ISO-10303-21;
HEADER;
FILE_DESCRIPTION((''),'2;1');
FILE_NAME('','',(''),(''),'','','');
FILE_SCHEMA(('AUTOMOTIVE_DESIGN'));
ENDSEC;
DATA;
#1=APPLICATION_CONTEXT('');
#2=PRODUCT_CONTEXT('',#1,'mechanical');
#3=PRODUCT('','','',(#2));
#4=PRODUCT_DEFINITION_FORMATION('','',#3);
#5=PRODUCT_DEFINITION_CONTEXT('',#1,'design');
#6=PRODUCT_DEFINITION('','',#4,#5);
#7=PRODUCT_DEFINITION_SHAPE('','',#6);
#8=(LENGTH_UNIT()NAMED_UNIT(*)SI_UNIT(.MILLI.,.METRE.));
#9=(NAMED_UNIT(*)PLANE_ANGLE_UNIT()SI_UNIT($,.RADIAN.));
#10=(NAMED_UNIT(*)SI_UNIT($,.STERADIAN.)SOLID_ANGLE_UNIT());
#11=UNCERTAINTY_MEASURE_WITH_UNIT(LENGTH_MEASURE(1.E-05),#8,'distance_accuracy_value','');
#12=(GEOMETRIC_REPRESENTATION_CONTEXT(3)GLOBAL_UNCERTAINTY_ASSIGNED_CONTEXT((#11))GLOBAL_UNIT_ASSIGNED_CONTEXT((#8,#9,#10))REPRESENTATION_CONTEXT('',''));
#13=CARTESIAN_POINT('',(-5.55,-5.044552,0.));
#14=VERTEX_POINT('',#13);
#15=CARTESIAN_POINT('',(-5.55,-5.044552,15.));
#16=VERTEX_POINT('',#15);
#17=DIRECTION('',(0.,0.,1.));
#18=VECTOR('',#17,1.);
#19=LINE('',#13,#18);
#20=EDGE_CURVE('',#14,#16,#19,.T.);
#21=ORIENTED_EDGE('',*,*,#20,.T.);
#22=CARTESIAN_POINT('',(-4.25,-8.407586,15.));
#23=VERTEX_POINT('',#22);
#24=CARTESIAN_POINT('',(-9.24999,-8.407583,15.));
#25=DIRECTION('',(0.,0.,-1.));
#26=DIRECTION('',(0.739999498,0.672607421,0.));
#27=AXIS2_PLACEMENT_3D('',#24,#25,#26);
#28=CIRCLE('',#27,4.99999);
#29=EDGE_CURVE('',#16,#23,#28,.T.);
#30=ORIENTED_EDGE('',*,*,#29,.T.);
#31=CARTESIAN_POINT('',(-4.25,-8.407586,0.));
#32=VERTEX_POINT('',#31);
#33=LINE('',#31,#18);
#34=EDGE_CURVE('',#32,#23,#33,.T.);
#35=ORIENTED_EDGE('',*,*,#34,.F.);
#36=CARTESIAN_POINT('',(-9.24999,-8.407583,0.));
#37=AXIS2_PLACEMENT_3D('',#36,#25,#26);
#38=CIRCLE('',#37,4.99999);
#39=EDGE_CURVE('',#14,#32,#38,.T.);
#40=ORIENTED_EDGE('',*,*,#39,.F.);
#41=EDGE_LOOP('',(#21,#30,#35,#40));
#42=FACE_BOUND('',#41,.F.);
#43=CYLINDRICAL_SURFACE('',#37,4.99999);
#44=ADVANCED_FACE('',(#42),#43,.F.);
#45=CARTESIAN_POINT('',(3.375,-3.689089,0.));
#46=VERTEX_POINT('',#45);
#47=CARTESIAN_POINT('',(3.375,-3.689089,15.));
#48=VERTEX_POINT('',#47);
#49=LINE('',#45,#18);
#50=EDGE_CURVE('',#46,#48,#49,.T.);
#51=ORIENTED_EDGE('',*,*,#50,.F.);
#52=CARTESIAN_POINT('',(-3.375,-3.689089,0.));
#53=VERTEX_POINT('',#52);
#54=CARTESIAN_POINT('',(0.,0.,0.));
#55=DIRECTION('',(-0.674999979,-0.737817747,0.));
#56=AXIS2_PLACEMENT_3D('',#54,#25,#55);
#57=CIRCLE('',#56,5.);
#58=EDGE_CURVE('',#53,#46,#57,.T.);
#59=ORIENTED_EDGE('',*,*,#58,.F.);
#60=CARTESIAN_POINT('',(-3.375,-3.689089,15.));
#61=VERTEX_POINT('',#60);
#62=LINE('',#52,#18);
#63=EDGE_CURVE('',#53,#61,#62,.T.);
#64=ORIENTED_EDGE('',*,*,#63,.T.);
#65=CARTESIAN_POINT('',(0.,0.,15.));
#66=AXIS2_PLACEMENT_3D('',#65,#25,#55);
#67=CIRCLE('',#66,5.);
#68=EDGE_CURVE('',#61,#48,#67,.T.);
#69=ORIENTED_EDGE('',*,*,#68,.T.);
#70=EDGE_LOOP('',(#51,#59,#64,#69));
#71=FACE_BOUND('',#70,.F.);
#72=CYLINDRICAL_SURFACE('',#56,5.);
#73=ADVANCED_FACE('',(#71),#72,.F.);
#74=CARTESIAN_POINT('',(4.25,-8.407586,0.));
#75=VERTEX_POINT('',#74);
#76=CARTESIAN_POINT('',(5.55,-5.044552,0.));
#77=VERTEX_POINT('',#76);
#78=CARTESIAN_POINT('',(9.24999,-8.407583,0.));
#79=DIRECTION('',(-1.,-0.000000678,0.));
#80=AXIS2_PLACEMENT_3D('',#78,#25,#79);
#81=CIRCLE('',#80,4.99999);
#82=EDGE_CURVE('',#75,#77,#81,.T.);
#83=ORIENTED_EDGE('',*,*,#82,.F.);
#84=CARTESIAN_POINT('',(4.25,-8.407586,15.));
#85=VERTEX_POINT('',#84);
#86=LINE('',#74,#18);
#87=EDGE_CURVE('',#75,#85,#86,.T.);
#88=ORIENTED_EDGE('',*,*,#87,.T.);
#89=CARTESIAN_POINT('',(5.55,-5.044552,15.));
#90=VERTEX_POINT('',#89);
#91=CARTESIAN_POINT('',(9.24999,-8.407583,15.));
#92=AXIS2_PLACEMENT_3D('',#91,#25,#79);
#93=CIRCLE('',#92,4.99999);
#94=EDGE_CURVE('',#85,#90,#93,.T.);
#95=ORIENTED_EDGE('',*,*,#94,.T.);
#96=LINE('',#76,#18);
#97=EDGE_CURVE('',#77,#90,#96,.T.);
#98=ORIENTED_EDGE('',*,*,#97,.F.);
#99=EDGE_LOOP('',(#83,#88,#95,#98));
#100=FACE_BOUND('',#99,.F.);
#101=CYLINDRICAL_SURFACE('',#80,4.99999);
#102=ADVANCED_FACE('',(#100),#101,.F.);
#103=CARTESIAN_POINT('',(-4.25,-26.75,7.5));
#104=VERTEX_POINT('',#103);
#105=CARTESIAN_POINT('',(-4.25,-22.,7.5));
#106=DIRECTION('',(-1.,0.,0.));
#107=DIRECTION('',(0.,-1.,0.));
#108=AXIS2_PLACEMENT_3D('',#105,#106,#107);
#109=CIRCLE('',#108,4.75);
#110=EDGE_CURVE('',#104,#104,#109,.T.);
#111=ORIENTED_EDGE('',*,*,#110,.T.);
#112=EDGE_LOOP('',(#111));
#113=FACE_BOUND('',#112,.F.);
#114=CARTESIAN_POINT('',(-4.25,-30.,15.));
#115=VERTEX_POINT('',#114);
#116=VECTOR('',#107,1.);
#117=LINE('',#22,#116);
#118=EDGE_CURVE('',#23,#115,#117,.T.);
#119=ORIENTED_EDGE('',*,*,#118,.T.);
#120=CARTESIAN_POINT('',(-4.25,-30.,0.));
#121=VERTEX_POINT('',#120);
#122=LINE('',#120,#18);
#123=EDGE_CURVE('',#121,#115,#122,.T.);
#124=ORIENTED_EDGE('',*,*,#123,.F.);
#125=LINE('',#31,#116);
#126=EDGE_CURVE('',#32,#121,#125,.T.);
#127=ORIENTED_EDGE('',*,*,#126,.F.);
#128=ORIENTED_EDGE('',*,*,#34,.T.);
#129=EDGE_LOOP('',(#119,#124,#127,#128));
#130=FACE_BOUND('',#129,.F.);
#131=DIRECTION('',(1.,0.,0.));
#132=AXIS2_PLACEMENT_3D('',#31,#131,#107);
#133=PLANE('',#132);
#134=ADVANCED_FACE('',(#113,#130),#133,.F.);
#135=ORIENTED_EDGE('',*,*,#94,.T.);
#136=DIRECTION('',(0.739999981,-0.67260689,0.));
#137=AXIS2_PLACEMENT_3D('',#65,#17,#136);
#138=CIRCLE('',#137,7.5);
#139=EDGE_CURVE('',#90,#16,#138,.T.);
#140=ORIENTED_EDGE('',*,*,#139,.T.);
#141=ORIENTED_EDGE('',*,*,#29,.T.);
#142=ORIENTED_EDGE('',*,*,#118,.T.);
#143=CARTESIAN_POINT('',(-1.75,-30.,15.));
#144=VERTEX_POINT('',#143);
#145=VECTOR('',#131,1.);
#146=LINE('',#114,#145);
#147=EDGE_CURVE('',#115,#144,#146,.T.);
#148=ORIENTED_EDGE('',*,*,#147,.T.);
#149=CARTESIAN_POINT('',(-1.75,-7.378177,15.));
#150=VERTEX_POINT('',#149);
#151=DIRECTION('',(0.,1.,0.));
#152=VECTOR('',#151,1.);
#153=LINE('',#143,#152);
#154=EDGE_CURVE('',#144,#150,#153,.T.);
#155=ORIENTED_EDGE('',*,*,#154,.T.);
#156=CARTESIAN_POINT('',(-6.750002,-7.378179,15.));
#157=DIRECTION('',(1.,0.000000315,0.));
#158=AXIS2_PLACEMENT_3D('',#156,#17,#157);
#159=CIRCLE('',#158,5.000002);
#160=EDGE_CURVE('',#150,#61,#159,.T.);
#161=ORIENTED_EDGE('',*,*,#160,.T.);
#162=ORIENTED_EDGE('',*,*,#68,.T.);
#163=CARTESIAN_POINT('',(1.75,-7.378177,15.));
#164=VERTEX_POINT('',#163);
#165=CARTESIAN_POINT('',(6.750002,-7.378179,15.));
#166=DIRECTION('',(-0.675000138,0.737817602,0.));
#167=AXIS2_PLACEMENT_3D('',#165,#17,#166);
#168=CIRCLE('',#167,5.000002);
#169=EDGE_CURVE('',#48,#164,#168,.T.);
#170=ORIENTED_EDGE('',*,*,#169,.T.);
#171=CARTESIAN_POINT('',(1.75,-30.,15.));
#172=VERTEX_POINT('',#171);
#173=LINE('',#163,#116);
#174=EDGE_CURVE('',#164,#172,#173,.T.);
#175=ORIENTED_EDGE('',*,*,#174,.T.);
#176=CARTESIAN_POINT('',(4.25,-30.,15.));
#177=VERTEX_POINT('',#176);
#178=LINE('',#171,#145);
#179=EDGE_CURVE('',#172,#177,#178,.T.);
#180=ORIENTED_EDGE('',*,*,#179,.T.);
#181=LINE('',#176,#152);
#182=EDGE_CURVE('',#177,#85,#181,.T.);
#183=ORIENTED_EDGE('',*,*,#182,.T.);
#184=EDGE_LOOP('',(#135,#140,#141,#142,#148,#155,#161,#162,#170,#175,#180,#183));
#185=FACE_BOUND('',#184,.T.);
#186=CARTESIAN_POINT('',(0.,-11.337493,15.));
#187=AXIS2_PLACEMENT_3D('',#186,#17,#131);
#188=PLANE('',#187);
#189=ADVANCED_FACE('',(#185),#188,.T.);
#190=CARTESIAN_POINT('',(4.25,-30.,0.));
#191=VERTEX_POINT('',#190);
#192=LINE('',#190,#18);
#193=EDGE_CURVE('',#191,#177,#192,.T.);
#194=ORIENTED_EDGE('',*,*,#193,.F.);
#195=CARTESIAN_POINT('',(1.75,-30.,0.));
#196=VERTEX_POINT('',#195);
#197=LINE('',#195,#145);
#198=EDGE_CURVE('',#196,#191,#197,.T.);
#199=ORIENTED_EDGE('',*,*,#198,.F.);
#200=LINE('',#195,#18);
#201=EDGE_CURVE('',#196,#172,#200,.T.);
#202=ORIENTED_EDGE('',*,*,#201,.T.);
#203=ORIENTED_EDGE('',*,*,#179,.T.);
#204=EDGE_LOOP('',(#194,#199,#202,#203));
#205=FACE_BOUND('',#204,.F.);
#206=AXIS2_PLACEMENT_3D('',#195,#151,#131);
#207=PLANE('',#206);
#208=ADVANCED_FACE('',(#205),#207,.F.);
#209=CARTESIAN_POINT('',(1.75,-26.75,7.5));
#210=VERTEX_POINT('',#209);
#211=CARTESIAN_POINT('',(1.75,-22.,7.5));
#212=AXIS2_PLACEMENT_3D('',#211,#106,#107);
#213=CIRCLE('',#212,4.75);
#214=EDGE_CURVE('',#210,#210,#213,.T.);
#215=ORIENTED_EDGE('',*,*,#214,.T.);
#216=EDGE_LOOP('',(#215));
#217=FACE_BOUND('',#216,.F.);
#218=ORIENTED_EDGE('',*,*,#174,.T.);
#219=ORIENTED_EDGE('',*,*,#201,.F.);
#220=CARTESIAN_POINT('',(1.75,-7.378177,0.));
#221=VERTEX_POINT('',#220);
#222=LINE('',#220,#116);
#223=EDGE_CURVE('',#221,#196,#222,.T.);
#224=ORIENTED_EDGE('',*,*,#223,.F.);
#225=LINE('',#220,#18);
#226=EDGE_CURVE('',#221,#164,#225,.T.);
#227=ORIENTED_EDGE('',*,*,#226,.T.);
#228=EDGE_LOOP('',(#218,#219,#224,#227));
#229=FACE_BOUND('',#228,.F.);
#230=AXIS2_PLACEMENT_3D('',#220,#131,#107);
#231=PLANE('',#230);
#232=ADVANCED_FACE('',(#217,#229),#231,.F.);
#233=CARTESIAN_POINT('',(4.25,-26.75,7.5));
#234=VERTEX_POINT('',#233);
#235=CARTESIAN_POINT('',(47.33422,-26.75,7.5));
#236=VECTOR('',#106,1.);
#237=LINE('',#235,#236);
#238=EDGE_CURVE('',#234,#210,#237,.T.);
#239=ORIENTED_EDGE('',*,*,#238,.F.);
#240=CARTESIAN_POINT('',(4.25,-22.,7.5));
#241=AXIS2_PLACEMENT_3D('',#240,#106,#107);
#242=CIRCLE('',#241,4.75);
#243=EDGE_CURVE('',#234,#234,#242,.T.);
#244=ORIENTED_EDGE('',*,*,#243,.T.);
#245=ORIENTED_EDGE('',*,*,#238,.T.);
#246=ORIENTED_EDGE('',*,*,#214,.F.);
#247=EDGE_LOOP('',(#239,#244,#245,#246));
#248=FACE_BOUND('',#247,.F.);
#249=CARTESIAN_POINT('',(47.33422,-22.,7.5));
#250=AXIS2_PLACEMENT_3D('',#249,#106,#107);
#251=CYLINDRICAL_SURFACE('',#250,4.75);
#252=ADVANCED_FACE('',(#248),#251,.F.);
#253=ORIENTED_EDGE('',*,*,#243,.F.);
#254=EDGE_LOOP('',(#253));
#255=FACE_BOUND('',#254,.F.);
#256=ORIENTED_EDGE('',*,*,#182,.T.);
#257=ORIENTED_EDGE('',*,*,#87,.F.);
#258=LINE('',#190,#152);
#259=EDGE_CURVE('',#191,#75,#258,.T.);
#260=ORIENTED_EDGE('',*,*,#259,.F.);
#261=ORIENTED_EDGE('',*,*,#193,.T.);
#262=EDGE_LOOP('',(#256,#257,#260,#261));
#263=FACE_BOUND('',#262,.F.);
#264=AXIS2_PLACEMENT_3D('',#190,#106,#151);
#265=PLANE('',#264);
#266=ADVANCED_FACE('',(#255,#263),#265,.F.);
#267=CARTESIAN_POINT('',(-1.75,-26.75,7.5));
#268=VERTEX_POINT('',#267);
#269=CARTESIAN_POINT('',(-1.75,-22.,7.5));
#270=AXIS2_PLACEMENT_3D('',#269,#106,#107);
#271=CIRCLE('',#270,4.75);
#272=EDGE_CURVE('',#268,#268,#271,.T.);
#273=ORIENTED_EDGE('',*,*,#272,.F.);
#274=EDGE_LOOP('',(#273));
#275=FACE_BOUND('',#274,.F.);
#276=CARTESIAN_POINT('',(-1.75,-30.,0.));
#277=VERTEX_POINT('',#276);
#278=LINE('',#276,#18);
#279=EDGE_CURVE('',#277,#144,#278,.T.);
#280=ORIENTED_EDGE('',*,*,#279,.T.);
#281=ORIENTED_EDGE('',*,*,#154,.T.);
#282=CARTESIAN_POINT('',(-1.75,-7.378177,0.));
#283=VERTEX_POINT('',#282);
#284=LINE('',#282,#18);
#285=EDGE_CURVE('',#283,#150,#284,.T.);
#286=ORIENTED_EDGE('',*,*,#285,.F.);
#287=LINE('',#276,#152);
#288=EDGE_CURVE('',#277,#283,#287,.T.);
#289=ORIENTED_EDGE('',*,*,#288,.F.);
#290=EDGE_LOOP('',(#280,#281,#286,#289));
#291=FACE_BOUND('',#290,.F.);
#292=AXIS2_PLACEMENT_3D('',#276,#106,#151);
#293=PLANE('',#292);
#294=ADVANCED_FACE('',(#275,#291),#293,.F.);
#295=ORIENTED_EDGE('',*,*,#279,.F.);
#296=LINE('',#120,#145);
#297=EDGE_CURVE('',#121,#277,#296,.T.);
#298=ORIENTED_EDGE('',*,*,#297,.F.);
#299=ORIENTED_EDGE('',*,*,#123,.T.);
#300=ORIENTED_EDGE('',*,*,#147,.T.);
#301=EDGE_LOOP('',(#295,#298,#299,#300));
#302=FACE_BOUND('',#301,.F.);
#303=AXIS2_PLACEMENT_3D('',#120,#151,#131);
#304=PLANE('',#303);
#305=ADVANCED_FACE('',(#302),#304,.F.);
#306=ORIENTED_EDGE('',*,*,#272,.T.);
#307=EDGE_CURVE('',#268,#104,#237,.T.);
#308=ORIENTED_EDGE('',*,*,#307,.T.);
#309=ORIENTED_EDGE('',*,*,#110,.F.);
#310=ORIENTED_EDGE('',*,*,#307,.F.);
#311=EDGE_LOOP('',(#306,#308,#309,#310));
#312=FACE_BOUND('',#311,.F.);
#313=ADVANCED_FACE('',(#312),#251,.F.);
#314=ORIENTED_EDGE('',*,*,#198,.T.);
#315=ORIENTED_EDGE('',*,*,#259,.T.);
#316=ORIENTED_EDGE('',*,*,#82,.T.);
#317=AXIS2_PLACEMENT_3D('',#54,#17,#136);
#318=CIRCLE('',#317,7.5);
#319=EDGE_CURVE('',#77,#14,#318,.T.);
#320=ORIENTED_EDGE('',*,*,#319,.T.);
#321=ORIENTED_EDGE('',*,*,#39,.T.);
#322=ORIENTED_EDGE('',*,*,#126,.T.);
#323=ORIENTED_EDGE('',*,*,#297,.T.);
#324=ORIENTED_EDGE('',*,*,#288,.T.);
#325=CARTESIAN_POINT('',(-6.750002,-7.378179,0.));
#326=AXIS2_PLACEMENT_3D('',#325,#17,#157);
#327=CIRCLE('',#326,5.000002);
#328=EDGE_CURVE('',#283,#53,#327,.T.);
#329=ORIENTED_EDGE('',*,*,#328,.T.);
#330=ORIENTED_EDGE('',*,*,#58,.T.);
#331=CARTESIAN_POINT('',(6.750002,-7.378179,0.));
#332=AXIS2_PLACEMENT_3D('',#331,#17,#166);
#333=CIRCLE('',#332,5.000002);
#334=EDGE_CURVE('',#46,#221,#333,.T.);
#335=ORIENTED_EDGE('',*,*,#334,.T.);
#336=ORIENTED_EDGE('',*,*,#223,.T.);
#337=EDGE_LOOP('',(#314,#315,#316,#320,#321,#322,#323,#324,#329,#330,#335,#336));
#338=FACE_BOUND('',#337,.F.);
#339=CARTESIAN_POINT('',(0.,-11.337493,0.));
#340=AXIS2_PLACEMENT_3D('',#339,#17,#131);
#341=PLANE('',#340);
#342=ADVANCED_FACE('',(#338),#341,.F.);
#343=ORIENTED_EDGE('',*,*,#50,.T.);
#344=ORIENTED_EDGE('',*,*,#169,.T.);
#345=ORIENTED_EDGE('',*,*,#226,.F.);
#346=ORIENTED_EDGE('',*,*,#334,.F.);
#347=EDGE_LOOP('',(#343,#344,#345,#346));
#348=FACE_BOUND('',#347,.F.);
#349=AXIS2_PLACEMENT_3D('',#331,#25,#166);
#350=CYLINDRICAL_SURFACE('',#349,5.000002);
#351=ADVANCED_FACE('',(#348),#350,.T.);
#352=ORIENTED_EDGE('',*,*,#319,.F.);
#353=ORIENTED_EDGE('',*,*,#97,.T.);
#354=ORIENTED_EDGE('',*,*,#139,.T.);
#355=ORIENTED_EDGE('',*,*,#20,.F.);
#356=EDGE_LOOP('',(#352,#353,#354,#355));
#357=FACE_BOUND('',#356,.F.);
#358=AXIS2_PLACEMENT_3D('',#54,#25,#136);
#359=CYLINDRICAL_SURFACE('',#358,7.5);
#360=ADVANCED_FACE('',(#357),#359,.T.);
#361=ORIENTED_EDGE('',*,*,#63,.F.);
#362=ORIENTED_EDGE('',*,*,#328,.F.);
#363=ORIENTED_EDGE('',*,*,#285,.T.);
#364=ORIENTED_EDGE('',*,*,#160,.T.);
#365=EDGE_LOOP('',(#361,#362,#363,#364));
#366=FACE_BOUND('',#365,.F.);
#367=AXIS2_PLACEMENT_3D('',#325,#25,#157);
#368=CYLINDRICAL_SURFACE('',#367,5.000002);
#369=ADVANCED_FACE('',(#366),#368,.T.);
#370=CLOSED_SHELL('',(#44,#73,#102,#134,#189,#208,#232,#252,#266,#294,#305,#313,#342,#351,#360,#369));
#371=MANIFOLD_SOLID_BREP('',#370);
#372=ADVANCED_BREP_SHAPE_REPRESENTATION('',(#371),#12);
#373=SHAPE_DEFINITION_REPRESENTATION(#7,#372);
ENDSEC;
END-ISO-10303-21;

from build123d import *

# Parameters (mm, degrees)
F1_DEPTH = 15
F3_D     = 9.5


with BuildPart() as f1:
    # F0 (on Top) → F1 (new body)
    with BuildSketch(Plane.XY):
        with BuildLine():
            ThreePointArc((-3.375, -3.689089), (0, 5), (3.375, -3.689089))
            ThreePointArc((3.375, -3.689089), (2.174249, -5.362613), (1.75, -7.378177))
            Line((1.75, -7.378177), (1.75, -30))
            Line((1.75, -30), (4.25, -30))
            Line((4.25, -30), (4.25, -8.407586))
            ThreePointArc((4.25, -8.407586), (4.58631, -6.60481), (5.55, -5.044552))
            ThreePointArc((5.55, -5.044552), (0, 7.5), (-5.55, -5.044552))
            ThreePointArc((-5.55, -5.044552), (-4.58631, -6.60481), (-4.25, -8.407586))
            Line((-4.25, -8.407586), (-4.25, -30))
            Line((-4.25, -30), (-1.75, -30))
            Line((-1.75, -30), (-1.75, -7.378177))
            ThreePointArc((-1.75, -7.378177), (-2.174249, -5.362613), (-3.375, -3.689089))
        make_face()
    extrude(amount=F1_DEPTH)

    # F3 (through all)
    with Locations(Plane.YZ.offset(4.25)):
        with Locations((-22, 7.5)):
            Hole(F3_D / 2)


solid = f1.part
